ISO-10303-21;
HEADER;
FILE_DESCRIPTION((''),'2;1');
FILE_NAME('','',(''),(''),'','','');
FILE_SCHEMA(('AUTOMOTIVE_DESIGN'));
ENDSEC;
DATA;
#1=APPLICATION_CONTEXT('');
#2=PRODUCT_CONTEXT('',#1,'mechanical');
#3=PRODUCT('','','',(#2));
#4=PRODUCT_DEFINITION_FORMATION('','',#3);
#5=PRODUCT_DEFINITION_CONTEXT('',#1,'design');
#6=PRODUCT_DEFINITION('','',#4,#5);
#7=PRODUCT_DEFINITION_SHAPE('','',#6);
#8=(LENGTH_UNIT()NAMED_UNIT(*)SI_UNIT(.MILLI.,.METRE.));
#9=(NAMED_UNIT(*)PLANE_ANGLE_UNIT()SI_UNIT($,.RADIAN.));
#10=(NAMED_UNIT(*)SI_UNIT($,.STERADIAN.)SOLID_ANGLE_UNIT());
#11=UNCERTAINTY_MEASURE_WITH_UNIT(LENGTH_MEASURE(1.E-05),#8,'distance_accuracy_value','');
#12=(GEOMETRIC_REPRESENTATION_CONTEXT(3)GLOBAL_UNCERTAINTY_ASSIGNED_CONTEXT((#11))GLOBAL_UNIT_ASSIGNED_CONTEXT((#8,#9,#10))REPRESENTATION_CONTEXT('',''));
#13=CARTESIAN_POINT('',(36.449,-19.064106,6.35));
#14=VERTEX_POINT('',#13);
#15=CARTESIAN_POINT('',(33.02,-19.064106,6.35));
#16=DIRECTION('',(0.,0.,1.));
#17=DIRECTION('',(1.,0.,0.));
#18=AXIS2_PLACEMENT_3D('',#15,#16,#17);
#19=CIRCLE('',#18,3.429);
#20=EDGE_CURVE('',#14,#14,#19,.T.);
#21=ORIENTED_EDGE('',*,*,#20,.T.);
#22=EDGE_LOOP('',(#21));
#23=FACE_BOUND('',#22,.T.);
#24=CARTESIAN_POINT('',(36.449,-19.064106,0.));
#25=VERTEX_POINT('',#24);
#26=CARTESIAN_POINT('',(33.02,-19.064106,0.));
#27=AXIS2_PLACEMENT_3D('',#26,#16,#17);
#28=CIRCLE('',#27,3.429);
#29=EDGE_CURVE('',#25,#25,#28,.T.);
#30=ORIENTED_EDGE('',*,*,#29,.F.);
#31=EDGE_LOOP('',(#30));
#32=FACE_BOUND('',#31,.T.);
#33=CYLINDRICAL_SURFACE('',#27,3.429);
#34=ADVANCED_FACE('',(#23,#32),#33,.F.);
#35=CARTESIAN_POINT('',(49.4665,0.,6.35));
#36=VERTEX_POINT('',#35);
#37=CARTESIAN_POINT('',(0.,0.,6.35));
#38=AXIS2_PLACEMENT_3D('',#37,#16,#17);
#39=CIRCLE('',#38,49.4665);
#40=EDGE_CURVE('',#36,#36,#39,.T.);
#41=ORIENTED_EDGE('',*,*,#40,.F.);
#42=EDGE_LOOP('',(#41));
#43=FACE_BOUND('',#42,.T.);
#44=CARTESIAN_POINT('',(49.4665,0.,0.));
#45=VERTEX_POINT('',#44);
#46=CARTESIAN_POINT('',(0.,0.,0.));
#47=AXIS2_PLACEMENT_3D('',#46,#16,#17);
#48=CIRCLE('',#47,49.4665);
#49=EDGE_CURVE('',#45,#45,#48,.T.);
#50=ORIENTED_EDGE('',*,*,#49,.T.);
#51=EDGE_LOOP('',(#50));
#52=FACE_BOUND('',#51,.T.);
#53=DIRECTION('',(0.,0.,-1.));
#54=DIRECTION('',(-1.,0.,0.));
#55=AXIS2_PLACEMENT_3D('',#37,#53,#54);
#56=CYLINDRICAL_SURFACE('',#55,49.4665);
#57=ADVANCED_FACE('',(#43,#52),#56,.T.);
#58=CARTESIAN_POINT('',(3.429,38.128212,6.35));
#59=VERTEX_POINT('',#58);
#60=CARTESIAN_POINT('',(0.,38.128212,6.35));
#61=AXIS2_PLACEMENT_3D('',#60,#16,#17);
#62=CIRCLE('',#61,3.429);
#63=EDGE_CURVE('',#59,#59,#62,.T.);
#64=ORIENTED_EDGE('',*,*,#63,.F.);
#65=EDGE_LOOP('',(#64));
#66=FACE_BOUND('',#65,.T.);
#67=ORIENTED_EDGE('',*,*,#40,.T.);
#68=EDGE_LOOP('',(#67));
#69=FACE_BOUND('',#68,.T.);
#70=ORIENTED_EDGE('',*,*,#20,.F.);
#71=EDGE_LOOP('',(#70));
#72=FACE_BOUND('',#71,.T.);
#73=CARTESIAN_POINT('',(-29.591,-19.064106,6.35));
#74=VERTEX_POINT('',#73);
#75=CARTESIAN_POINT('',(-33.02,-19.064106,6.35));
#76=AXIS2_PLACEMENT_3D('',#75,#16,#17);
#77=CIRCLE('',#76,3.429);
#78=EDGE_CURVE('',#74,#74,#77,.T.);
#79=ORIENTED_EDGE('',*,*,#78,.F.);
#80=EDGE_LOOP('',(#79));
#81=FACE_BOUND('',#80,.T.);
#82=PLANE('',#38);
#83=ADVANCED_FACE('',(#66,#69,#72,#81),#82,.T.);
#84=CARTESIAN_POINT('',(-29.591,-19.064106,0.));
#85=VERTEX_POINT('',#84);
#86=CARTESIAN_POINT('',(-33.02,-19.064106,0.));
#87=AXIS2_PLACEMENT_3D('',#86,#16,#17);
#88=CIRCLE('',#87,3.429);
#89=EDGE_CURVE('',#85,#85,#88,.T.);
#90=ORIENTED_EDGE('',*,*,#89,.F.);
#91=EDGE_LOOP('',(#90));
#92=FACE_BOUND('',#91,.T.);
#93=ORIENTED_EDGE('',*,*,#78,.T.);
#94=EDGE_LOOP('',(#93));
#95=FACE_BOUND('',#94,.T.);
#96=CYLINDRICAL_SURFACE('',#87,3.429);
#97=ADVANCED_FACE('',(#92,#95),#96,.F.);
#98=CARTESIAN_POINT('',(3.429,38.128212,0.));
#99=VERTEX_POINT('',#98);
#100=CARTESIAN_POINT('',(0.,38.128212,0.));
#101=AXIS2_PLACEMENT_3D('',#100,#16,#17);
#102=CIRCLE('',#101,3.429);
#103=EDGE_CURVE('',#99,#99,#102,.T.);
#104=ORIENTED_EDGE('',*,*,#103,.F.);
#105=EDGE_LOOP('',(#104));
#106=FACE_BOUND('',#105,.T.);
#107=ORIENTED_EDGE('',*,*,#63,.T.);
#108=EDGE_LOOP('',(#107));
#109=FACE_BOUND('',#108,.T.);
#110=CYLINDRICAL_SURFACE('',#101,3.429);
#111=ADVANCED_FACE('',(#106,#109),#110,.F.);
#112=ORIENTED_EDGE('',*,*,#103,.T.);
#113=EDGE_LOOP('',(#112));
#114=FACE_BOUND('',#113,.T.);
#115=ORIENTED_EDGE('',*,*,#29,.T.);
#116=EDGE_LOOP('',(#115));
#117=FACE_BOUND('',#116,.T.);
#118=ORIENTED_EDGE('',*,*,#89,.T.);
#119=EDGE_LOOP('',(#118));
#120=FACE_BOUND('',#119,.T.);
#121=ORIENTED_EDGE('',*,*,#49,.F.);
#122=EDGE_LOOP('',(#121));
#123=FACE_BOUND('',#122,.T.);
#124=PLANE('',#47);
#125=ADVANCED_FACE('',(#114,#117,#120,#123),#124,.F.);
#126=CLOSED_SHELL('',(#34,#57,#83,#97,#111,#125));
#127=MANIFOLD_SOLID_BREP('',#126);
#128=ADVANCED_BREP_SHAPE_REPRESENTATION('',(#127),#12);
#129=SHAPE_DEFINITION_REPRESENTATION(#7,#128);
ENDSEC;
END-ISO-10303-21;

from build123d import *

# Parameters (mm, degrees)
SKETCH1_R           = 49.4665
BOSS_EXTRUDE1_DEPTH = 6.35
SKETCH6_R           = 3.429
CUT_EXTRUDE2_DEPTH  = 7.35


with BuildPart() as part:
    # Sketch1 → Boss-Extrude1 (new body)
    with BuildSketch(Plane.XY):
        Circle(SKETCH1_R)
    extrude(amount=BOSS_EXTRUDE1_DEPTH)

    # Sketch6 → Cut-Extrude2 (cut, through all)
    with BuildSketch(Plane.XY.offset(6.35)):
        with Locations((0, 38.128211777)):
            Circle(SKETCH6_R)
        with Locations((-33.02, -19.064105889)):
            Circle(SKETCH6_R)
        with Locations((33.02, -19.064105889)):
            Circle(SKETCH6_R)
    extrude(amount=-CUT_EXTRUDE2_DEPTH, mode=Mode.SUBTRACT)


solid = part.part
